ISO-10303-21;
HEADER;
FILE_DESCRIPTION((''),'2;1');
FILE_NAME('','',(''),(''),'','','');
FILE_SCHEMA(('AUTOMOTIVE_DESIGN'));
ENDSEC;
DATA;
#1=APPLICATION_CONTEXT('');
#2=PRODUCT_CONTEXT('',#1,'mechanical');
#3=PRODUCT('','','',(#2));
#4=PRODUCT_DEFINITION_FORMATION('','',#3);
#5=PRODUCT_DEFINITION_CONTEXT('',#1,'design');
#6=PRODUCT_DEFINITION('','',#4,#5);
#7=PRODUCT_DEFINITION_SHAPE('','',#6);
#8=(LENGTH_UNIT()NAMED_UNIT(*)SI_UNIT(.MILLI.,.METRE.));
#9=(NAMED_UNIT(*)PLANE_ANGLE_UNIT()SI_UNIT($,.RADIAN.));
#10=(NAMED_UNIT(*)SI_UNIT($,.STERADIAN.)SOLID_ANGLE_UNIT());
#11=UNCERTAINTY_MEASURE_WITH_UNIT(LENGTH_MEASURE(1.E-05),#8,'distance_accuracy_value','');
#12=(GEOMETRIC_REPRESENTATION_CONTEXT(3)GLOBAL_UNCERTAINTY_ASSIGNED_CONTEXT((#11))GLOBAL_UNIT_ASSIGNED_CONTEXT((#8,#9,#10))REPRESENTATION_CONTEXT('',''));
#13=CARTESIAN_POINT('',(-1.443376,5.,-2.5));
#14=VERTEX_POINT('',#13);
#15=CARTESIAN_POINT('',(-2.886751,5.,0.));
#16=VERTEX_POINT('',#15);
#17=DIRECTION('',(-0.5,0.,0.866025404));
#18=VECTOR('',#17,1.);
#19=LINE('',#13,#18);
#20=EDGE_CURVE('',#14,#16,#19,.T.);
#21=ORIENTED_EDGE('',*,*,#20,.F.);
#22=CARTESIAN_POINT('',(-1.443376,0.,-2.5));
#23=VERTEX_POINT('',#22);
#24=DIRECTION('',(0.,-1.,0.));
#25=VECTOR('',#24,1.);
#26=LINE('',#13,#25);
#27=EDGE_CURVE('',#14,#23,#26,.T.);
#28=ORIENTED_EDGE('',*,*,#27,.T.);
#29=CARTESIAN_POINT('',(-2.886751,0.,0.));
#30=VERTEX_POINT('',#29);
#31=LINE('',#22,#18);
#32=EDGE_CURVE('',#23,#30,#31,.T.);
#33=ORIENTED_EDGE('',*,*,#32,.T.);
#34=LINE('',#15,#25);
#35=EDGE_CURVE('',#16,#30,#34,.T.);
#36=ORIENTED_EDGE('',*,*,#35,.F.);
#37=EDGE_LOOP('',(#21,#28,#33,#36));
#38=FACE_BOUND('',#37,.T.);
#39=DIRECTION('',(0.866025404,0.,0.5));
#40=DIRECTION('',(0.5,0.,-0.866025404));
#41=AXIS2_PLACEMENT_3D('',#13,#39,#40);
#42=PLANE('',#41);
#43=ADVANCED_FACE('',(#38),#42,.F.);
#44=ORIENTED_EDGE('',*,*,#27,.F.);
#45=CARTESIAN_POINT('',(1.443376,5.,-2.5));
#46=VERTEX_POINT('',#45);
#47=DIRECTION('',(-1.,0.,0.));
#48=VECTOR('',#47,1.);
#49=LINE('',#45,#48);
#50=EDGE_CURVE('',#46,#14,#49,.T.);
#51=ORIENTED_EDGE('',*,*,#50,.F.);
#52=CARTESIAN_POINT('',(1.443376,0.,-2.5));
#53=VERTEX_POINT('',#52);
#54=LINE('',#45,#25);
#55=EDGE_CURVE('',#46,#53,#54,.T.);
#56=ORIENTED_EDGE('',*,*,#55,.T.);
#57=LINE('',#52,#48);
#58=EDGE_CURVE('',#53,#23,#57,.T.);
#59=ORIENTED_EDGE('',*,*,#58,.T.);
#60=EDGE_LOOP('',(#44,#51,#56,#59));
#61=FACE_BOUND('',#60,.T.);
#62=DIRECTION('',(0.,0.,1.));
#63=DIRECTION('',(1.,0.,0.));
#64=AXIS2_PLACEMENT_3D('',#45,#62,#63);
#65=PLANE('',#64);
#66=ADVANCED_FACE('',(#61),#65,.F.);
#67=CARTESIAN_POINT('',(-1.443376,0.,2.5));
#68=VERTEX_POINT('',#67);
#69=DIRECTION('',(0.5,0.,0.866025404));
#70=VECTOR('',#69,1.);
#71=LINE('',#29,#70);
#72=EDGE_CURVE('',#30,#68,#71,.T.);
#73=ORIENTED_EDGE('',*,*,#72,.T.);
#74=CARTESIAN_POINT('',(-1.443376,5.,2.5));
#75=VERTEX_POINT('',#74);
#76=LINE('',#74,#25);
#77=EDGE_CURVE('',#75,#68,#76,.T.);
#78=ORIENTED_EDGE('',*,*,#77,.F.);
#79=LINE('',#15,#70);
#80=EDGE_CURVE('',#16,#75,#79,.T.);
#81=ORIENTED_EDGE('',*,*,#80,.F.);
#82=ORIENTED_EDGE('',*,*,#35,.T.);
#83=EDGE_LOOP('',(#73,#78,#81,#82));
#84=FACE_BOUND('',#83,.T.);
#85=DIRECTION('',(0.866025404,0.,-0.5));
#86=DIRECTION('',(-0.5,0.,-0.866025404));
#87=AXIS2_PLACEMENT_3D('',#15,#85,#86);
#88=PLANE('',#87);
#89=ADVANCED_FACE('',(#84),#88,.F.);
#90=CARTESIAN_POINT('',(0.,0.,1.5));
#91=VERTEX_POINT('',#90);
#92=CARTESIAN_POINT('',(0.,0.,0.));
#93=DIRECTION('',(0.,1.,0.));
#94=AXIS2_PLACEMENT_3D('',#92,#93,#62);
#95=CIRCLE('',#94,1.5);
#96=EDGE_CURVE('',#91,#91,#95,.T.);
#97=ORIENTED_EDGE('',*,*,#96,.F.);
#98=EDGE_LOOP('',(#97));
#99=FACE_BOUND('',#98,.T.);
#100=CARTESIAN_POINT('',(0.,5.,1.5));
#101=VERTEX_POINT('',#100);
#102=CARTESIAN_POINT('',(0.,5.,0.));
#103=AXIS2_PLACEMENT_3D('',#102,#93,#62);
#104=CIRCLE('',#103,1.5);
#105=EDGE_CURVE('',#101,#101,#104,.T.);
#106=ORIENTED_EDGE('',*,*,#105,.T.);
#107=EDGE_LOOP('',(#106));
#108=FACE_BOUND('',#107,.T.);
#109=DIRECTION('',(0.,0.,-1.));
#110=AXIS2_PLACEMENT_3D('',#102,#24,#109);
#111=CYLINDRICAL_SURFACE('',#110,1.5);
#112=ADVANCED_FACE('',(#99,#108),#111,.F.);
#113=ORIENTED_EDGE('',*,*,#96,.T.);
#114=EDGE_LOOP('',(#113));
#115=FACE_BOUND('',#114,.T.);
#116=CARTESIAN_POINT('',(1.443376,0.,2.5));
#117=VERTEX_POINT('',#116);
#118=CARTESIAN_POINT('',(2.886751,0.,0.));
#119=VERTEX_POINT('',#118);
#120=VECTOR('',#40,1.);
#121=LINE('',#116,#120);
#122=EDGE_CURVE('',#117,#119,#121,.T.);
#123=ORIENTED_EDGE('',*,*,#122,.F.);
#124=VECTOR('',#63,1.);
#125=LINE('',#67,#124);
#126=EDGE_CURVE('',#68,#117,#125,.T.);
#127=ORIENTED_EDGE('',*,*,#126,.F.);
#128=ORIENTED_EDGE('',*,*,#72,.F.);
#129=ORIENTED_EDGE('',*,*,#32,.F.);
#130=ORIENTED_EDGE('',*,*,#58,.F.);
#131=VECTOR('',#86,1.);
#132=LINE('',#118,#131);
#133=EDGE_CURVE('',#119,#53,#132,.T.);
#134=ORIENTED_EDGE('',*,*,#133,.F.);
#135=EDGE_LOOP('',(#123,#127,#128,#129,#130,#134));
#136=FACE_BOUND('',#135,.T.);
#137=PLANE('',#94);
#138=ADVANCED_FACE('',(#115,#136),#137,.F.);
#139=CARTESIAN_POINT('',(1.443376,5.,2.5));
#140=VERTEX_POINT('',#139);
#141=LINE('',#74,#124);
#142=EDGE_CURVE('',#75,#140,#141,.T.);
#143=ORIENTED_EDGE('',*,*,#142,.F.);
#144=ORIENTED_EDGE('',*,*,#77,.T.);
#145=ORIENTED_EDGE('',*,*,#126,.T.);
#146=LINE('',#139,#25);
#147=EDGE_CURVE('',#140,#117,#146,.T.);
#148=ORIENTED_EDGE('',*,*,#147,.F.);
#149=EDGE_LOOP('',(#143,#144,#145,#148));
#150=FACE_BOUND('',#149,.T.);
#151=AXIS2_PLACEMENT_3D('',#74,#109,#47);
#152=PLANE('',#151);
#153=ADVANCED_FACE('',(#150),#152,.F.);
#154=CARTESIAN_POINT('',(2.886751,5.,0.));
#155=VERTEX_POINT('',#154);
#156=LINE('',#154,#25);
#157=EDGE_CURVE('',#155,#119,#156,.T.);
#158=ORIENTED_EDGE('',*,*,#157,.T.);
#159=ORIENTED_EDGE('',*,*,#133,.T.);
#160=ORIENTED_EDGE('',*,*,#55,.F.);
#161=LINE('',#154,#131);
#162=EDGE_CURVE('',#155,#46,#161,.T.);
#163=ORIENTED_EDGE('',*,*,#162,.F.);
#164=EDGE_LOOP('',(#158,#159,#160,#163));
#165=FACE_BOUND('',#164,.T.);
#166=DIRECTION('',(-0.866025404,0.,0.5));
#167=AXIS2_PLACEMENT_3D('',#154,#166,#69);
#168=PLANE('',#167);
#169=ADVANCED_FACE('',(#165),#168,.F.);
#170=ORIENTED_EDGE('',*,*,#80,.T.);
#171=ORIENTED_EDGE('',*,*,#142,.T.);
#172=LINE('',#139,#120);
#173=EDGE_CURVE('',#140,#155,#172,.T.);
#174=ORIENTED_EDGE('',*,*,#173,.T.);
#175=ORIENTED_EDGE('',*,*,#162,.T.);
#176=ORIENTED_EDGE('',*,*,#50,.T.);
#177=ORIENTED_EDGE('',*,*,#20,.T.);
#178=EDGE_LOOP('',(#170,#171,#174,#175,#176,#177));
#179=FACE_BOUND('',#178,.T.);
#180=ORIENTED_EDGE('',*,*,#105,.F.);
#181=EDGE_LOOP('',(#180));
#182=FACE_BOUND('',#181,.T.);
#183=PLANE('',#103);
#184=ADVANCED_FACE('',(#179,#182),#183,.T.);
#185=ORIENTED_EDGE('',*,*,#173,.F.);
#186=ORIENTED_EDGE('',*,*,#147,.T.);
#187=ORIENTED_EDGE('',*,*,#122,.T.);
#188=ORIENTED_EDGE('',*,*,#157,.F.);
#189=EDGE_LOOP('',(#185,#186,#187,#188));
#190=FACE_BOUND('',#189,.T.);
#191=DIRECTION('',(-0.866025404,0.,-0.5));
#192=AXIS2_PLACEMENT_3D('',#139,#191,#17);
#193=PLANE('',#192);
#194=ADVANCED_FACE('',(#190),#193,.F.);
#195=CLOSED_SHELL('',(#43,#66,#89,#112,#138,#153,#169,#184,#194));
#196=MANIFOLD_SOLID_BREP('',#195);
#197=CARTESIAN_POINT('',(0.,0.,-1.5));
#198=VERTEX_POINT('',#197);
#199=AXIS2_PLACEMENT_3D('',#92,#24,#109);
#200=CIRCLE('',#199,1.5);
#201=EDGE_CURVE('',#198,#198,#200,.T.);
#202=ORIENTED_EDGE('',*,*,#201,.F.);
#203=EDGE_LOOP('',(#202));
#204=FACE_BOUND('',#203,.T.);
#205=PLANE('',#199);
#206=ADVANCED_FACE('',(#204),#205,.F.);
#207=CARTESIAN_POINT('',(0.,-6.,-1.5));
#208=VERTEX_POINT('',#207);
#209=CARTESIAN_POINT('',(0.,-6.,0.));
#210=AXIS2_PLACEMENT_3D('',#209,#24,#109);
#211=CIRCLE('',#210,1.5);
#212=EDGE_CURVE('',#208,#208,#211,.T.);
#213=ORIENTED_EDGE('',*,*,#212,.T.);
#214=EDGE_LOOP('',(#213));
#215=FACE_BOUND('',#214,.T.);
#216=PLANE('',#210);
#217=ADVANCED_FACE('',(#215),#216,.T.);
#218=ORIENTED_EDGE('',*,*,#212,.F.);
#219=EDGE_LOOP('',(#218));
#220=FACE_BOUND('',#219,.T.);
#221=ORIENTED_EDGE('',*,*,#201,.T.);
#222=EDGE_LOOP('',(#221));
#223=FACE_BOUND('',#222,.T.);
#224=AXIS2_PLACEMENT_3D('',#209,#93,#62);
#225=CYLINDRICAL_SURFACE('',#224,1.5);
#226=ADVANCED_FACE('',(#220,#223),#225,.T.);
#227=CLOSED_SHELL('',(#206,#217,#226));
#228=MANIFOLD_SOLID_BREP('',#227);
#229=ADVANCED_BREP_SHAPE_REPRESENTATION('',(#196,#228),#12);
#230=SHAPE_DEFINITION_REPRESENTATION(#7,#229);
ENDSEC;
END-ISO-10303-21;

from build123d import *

# Parameters (mm, degrees)
CROQUIS1_R              = 1.5
SALIENTE_EXTRUIR1_DEPTH = 5
CROQUIS2_R              = 1.5
SALIENTE_EXTRUIR2_DEPTH = 6


with BuildPart() as part:
    # Croquis1 → Saliente-Extruir1 (new body)
    with BuildSketch(Plane(origin=(0, 0, 0), x_dir=(1, 0, 0), z_dir=(0, 1, 0))):
        Polygon((1.443375673, -2.5), (2.886751346, 0), (1.443375673, 2.5), (-1.443375673, 2.5), (-2.886751346, 0), (-1.443375673, -2.5), align=None)
        with Locations(Location((0, 0, 0), (0, 0, 270))):
            Circle(CROQUIS1_R, mode=Mode.SUBTRACT)
    extrude(amount=SALIENTE_EXTRUIR1_DEPTH)


with BuildPart() as body_2:
    # Croquis2 → Saliente-Extruir2 (new body)
    with BuildSketch(Plane.XZ):
        with Locations(Location((0, 0, 0), (0, 0, 270))):
            Circle(CROQUIS2_R)
    extrude(amount=SALIENTE_EXTRUIR2_DEPTH)


solid = Compound([part.part, body_2.part])
